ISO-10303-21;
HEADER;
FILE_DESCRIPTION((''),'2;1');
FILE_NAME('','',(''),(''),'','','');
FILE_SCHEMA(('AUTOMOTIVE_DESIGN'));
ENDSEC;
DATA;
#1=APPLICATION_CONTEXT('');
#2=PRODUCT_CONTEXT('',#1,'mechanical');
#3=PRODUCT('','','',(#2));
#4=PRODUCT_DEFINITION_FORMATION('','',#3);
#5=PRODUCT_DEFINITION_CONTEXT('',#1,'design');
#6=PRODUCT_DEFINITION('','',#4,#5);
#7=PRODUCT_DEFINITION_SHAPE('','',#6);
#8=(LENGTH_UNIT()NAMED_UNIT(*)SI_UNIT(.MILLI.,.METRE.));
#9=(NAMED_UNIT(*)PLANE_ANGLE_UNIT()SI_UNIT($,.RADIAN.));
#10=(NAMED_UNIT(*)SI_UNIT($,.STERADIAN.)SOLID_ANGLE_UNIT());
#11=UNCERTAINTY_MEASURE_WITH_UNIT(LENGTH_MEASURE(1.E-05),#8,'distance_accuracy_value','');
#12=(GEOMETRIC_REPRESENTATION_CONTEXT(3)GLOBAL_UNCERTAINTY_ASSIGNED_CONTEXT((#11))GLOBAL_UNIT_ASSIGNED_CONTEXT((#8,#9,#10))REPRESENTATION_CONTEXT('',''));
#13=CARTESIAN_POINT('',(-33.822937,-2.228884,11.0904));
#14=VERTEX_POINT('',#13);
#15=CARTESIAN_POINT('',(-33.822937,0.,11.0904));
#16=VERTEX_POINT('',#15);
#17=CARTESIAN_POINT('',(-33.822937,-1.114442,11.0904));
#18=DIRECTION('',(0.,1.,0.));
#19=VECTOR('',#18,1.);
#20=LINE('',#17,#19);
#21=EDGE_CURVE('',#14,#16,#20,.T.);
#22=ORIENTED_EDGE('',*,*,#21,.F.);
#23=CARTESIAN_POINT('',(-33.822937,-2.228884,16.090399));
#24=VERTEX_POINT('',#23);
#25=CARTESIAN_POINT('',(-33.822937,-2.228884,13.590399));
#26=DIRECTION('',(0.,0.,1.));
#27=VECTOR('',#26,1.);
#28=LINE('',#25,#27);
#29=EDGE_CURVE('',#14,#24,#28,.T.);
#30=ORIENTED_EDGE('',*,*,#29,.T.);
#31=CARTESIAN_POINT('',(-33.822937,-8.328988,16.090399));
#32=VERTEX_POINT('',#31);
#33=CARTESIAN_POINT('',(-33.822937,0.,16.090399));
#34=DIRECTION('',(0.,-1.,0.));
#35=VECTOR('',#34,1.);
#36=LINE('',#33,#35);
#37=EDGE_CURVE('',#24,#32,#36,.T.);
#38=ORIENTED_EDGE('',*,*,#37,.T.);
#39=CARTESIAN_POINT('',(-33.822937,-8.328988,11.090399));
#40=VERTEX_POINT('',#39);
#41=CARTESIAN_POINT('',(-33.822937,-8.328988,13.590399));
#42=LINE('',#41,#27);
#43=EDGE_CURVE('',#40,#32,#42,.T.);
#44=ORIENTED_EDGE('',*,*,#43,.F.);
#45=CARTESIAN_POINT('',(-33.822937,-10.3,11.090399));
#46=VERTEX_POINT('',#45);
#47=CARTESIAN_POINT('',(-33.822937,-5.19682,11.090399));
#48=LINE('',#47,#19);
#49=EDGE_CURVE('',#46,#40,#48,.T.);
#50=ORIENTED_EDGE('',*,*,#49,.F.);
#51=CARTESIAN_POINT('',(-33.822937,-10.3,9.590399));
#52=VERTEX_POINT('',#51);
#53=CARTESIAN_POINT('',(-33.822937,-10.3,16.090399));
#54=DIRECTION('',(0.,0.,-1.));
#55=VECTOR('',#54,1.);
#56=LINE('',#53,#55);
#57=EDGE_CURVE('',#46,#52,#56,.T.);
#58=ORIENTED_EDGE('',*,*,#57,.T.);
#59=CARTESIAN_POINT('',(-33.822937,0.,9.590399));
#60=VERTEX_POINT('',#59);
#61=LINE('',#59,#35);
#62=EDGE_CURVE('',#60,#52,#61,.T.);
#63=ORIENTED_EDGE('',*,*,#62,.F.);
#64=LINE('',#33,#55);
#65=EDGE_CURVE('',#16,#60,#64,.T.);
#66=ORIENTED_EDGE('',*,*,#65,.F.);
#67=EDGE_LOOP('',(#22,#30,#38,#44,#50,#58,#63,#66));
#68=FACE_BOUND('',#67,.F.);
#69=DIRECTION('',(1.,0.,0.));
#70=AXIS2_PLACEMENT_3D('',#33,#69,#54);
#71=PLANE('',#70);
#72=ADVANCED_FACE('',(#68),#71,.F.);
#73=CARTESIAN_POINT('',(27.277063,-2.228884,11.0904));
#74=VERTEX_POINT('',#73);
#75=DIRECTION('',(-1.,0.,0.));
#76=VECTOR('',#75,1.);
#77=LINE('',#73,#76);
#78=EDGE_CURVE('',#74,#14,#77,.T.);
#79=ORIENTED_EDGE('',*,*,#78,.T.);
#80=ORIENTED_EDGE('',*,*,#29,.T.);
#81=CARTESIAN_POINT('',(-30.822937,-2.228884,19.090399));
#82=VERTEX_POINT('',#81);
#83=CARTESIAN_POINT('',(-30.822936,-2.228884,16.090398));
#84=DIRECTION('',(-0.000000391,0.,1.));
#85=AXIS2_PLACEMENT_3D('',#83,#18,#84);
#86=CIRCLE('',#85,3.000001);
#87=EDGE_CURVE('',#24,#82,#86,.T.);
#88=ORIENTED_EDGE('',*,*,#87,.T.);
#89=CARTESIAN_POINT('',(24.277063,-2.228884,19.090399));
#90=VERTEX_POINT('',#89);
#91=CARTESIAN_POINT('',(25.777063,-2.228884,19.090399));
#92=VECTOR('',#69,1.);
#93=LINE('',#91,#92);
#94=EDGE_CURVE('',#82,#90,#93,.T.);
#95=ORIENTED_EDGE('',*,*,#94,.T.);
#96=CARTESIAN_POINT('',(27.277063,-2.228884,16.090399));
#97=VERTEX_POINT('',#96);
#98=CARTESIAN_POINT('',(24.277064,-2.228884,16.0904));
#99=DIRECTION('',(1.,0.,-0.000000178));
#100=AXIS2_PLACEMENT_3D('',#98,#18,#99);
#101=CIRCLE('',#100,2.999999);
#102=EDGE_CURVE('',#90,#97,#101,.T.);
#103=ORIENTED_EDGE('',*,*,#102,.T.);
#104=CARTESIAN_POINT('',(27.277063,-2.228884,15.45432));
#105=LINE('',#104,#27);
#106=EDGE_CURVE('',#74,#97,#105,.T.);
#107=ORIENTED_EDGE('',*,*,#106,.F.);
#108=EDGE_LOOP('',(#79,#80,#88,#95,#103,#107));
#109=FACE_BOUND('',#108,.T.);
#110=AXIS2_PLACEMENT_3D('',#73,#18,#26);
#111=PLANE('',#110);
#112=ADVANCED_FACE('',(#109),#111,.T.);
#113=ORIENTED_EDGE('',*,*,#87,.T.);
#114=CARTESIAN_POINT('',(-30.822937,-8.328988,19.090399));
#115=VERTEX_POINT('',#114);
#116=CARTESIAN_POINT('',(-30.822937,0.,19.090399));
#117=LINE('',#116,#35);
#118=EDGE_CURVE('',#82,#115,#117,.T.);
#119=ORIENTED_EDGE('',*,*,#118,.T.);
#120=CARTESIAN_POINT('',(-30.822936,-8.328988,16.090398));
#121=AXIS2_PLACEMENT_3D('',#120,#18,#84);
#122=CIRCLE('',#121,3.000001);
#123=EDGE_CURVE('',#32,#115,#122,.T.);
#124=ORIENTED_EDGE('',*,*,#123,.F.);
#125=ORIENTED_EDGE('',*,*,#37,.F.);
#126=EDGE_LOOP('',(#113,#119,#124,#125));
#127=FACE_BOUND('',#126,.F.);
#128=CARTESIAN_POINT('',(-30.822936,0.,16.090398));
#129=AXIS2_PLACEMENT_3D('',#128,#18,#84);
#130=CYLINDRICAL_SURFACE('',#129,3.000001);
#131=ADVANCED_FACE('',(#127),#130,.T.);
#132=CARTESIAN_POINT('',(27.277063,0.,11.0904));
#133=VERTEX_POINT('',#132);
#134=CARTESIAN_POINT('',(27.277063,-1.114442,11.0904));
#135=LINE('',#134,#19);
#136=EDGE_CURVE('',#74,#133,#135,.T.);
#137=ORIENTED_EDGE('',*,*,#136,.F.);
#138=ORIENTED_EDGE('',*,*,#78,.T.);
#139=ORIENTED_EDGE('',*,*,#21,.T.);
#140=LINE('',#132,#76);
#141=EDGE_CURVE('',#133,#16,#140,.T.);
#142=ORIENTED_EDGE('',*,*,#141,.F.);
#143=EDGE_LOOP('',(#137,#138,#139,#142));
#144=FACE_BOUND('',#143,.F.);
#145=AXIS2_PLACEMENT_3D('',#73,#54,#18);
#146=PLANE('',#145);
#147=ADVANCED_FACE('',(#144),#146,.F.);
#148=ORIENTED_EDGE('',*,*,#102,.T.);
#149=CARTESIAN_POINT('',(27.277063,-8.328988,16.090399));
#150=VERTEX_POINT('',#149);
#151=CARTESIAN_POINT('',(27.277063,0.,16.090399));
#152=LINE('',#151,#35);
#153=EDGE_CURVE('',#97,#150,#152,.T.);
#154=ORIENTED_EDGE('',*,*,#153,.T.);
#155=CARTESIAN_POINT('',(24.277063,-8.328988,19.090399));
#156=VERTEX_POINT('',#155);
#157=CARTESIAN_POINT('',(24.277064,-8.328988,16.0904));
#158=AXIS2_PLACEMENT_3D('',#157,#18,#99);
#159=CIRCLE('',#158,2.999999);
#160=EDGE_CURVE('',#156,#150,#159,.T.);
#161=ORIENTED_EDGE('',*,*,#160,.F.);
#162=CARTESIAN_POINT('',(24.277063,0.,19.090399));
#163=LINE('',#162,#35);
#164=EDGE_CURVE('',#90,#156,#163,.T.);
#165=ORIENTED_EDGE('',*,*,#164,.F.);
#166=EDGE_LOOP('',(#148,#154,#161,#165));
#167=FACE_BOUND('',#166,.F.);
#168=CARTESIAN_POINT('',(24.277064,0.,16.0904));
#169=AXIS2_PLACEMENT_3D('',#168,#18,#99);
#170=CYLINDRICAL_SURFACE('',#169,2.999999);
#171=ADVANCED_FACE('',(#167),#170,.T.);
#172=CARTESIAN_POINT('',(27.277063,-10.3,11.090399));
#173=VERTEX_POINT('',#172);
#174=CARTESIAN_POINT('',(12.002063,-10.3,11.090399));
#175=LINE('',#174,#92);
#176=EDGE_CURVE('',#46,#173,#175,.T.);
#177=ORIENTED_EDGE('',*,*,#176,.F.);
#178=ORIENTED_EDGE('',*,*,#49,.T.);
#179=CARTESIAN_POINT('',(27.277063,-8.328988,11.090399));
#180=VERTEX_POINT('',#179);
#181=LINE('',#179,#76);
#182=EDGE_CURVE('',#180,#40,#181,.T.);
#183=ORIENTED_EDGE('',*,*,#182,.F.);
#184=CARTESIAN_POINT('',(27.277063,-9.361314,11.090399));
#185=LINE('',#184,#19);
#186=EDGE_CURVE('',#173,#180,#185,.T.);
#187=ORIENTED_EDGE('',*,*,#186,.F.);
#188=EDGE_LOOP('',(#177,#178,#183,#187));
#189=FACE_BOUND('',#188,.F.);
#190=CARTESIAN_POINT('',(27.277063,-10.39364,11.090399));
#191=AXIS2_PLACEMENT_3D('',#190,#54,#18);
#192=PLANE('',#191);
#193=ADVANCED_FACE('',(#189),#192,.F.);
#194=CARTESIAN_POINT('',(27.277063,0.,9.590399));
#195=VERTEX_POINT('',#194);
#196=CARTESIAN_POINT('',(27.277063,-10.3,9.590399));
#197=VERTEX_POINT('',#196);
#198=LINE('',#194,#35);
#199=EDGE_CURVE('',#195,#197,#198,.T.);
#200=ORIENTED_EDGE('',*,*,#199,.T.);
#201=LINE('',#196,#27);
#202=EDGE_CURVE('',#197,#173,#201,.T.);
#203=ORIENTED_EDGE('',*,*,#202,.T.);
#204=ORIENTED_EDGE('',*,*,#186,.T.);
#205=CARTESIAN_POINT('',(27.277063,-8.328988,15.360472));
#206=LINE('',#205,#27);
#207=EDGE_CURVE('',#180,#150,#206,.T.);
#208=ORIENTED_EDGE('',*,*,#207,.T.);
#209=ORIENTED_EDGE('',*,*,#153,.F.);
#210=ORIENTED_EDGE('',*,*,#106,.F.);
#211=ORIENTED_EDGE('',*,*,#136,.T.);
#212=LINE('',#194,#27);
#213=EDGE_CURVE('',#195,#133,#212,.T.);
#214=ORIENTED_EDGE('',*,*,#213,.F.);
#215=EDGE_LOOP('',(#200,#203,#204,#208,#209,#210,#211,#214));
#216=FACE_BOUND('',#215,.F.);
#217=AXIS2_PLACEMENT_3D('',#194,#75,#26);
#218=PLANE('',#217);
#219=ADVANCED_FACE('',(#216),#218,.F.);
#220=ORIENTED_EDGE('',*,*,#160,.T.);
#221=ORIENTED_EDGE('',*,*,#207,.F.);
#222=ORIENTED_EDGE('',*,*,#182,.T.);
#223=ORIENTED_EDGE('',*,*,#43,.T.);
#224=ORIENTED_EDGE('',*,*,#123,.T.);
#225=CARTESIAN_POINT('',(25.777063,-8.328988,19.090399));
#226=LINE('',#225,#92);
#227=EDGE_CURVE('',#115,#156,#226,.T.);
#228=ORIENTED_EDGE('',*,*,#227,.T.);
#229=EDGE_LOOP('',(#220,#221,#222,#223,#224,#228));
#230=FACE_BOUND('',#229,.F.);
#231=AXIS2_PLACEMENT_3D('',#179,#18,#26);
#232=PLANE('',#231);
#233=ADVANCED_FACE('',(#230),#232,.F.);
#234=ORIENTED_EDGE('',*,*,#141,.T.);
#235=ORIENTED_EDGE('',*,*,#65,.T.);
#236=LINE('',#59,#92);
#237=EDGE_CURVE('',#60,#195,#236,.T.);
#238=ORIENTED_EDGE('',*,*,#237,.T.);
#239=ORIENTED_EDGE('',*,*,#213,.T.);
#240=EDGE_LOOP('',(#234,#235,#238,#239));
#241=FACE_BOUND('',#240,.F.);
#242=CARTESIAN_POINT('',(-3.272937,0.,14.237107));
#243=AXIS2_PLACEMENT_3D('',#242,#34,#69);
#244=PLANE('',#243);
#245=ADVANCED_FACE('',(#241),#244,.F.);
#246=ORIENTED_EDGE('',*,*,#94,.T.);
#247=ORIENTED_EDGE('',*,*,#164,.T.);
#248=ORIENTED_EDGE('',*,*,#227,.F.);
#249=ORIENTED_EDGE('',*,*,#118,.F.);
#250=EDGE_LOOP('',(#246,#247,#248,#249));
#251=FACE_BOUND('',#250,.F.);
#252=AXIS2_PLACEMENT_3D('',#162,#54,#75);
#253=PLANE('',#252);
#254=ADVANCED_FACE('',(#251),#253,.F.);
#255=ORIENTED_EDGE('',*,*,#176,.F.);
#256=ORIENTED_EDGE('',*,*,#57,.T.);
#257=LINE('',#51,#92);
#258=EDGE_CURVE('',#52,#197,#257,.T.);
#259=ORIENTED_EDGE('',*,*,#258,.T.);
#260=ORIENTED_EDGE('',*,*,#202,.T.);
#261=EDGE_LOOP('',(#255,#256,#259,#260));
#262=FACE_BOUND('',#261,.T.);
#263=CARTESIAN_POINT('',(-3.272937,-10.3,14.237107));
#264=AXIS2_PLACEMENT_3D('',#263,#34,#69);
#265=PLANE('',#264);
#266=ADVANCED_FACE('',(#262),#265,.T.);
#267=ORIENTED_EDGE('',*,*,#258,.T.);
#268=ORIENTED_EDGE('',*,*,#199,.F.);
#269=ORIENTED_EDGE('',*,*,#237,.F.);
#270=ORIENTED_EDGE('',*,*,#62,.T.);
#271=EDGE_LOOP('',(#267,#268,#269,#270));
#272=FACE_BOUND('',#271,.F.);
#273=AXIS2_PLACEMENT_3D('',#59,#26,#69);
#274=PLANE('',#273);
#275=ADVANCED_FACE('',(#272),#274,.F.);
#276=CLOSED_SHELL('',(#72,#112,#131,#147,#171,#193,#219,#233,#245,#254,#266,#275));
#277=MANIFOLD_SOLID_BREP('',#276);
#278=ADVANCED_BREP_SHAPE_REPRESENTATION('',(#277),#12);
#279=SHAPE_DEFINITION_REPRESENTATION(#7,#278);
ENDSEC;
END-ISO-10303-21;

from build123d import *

# Parameters (mm, degrees)
F1_DEPTH = 10.3
F2_W     = 2.064651
F2_H     = 8.540146
F2_W_2   = 2.228884
F2_H_2   = 8.727841
F3_DEPTH = 61.101


with BuildPart() as f1:
    # F0 (on Front) → F1 (new body)
    with BuildSketch(Plane.XZ):
        with BuildLine():
            Line((24.277063, 19.090399), (-30.822937, 19.090399))
            ThreePointArc((-30.822937, 19.090399), (-32.944257, 18.211719), (-33.822937, 16.090399))
            Line((-33.822937, 16.090399), (-33.822937, 9.590399))
            Line((-33.822937, 9.590399), (27.277063, 9.590399))
            Line((27.277063, 9.590399), (27.277063, 16.090399))
            ThreePointArc((27.277063, 16.090399), (26.398384, 18.211719), (24.277063, 19.090399))
        make_face()
    extrude(amount=F1_DEPTH)

    # F2 (on face) → F3 (cut, through all)
    with BuildSketch(Plane.YZ.offset(27.277063)):
        with Locations((-9.361314, 15.360472)):
            Rectangle(F2_W, F2_H)
        with Locations((-1.114442, 15.45432)):
            Rectangle(F2_W_2, F2_H_2)
    extrude(amount=-F3_DEPTH, mode=Mode.SUBTRACT)


solid = f1.part
